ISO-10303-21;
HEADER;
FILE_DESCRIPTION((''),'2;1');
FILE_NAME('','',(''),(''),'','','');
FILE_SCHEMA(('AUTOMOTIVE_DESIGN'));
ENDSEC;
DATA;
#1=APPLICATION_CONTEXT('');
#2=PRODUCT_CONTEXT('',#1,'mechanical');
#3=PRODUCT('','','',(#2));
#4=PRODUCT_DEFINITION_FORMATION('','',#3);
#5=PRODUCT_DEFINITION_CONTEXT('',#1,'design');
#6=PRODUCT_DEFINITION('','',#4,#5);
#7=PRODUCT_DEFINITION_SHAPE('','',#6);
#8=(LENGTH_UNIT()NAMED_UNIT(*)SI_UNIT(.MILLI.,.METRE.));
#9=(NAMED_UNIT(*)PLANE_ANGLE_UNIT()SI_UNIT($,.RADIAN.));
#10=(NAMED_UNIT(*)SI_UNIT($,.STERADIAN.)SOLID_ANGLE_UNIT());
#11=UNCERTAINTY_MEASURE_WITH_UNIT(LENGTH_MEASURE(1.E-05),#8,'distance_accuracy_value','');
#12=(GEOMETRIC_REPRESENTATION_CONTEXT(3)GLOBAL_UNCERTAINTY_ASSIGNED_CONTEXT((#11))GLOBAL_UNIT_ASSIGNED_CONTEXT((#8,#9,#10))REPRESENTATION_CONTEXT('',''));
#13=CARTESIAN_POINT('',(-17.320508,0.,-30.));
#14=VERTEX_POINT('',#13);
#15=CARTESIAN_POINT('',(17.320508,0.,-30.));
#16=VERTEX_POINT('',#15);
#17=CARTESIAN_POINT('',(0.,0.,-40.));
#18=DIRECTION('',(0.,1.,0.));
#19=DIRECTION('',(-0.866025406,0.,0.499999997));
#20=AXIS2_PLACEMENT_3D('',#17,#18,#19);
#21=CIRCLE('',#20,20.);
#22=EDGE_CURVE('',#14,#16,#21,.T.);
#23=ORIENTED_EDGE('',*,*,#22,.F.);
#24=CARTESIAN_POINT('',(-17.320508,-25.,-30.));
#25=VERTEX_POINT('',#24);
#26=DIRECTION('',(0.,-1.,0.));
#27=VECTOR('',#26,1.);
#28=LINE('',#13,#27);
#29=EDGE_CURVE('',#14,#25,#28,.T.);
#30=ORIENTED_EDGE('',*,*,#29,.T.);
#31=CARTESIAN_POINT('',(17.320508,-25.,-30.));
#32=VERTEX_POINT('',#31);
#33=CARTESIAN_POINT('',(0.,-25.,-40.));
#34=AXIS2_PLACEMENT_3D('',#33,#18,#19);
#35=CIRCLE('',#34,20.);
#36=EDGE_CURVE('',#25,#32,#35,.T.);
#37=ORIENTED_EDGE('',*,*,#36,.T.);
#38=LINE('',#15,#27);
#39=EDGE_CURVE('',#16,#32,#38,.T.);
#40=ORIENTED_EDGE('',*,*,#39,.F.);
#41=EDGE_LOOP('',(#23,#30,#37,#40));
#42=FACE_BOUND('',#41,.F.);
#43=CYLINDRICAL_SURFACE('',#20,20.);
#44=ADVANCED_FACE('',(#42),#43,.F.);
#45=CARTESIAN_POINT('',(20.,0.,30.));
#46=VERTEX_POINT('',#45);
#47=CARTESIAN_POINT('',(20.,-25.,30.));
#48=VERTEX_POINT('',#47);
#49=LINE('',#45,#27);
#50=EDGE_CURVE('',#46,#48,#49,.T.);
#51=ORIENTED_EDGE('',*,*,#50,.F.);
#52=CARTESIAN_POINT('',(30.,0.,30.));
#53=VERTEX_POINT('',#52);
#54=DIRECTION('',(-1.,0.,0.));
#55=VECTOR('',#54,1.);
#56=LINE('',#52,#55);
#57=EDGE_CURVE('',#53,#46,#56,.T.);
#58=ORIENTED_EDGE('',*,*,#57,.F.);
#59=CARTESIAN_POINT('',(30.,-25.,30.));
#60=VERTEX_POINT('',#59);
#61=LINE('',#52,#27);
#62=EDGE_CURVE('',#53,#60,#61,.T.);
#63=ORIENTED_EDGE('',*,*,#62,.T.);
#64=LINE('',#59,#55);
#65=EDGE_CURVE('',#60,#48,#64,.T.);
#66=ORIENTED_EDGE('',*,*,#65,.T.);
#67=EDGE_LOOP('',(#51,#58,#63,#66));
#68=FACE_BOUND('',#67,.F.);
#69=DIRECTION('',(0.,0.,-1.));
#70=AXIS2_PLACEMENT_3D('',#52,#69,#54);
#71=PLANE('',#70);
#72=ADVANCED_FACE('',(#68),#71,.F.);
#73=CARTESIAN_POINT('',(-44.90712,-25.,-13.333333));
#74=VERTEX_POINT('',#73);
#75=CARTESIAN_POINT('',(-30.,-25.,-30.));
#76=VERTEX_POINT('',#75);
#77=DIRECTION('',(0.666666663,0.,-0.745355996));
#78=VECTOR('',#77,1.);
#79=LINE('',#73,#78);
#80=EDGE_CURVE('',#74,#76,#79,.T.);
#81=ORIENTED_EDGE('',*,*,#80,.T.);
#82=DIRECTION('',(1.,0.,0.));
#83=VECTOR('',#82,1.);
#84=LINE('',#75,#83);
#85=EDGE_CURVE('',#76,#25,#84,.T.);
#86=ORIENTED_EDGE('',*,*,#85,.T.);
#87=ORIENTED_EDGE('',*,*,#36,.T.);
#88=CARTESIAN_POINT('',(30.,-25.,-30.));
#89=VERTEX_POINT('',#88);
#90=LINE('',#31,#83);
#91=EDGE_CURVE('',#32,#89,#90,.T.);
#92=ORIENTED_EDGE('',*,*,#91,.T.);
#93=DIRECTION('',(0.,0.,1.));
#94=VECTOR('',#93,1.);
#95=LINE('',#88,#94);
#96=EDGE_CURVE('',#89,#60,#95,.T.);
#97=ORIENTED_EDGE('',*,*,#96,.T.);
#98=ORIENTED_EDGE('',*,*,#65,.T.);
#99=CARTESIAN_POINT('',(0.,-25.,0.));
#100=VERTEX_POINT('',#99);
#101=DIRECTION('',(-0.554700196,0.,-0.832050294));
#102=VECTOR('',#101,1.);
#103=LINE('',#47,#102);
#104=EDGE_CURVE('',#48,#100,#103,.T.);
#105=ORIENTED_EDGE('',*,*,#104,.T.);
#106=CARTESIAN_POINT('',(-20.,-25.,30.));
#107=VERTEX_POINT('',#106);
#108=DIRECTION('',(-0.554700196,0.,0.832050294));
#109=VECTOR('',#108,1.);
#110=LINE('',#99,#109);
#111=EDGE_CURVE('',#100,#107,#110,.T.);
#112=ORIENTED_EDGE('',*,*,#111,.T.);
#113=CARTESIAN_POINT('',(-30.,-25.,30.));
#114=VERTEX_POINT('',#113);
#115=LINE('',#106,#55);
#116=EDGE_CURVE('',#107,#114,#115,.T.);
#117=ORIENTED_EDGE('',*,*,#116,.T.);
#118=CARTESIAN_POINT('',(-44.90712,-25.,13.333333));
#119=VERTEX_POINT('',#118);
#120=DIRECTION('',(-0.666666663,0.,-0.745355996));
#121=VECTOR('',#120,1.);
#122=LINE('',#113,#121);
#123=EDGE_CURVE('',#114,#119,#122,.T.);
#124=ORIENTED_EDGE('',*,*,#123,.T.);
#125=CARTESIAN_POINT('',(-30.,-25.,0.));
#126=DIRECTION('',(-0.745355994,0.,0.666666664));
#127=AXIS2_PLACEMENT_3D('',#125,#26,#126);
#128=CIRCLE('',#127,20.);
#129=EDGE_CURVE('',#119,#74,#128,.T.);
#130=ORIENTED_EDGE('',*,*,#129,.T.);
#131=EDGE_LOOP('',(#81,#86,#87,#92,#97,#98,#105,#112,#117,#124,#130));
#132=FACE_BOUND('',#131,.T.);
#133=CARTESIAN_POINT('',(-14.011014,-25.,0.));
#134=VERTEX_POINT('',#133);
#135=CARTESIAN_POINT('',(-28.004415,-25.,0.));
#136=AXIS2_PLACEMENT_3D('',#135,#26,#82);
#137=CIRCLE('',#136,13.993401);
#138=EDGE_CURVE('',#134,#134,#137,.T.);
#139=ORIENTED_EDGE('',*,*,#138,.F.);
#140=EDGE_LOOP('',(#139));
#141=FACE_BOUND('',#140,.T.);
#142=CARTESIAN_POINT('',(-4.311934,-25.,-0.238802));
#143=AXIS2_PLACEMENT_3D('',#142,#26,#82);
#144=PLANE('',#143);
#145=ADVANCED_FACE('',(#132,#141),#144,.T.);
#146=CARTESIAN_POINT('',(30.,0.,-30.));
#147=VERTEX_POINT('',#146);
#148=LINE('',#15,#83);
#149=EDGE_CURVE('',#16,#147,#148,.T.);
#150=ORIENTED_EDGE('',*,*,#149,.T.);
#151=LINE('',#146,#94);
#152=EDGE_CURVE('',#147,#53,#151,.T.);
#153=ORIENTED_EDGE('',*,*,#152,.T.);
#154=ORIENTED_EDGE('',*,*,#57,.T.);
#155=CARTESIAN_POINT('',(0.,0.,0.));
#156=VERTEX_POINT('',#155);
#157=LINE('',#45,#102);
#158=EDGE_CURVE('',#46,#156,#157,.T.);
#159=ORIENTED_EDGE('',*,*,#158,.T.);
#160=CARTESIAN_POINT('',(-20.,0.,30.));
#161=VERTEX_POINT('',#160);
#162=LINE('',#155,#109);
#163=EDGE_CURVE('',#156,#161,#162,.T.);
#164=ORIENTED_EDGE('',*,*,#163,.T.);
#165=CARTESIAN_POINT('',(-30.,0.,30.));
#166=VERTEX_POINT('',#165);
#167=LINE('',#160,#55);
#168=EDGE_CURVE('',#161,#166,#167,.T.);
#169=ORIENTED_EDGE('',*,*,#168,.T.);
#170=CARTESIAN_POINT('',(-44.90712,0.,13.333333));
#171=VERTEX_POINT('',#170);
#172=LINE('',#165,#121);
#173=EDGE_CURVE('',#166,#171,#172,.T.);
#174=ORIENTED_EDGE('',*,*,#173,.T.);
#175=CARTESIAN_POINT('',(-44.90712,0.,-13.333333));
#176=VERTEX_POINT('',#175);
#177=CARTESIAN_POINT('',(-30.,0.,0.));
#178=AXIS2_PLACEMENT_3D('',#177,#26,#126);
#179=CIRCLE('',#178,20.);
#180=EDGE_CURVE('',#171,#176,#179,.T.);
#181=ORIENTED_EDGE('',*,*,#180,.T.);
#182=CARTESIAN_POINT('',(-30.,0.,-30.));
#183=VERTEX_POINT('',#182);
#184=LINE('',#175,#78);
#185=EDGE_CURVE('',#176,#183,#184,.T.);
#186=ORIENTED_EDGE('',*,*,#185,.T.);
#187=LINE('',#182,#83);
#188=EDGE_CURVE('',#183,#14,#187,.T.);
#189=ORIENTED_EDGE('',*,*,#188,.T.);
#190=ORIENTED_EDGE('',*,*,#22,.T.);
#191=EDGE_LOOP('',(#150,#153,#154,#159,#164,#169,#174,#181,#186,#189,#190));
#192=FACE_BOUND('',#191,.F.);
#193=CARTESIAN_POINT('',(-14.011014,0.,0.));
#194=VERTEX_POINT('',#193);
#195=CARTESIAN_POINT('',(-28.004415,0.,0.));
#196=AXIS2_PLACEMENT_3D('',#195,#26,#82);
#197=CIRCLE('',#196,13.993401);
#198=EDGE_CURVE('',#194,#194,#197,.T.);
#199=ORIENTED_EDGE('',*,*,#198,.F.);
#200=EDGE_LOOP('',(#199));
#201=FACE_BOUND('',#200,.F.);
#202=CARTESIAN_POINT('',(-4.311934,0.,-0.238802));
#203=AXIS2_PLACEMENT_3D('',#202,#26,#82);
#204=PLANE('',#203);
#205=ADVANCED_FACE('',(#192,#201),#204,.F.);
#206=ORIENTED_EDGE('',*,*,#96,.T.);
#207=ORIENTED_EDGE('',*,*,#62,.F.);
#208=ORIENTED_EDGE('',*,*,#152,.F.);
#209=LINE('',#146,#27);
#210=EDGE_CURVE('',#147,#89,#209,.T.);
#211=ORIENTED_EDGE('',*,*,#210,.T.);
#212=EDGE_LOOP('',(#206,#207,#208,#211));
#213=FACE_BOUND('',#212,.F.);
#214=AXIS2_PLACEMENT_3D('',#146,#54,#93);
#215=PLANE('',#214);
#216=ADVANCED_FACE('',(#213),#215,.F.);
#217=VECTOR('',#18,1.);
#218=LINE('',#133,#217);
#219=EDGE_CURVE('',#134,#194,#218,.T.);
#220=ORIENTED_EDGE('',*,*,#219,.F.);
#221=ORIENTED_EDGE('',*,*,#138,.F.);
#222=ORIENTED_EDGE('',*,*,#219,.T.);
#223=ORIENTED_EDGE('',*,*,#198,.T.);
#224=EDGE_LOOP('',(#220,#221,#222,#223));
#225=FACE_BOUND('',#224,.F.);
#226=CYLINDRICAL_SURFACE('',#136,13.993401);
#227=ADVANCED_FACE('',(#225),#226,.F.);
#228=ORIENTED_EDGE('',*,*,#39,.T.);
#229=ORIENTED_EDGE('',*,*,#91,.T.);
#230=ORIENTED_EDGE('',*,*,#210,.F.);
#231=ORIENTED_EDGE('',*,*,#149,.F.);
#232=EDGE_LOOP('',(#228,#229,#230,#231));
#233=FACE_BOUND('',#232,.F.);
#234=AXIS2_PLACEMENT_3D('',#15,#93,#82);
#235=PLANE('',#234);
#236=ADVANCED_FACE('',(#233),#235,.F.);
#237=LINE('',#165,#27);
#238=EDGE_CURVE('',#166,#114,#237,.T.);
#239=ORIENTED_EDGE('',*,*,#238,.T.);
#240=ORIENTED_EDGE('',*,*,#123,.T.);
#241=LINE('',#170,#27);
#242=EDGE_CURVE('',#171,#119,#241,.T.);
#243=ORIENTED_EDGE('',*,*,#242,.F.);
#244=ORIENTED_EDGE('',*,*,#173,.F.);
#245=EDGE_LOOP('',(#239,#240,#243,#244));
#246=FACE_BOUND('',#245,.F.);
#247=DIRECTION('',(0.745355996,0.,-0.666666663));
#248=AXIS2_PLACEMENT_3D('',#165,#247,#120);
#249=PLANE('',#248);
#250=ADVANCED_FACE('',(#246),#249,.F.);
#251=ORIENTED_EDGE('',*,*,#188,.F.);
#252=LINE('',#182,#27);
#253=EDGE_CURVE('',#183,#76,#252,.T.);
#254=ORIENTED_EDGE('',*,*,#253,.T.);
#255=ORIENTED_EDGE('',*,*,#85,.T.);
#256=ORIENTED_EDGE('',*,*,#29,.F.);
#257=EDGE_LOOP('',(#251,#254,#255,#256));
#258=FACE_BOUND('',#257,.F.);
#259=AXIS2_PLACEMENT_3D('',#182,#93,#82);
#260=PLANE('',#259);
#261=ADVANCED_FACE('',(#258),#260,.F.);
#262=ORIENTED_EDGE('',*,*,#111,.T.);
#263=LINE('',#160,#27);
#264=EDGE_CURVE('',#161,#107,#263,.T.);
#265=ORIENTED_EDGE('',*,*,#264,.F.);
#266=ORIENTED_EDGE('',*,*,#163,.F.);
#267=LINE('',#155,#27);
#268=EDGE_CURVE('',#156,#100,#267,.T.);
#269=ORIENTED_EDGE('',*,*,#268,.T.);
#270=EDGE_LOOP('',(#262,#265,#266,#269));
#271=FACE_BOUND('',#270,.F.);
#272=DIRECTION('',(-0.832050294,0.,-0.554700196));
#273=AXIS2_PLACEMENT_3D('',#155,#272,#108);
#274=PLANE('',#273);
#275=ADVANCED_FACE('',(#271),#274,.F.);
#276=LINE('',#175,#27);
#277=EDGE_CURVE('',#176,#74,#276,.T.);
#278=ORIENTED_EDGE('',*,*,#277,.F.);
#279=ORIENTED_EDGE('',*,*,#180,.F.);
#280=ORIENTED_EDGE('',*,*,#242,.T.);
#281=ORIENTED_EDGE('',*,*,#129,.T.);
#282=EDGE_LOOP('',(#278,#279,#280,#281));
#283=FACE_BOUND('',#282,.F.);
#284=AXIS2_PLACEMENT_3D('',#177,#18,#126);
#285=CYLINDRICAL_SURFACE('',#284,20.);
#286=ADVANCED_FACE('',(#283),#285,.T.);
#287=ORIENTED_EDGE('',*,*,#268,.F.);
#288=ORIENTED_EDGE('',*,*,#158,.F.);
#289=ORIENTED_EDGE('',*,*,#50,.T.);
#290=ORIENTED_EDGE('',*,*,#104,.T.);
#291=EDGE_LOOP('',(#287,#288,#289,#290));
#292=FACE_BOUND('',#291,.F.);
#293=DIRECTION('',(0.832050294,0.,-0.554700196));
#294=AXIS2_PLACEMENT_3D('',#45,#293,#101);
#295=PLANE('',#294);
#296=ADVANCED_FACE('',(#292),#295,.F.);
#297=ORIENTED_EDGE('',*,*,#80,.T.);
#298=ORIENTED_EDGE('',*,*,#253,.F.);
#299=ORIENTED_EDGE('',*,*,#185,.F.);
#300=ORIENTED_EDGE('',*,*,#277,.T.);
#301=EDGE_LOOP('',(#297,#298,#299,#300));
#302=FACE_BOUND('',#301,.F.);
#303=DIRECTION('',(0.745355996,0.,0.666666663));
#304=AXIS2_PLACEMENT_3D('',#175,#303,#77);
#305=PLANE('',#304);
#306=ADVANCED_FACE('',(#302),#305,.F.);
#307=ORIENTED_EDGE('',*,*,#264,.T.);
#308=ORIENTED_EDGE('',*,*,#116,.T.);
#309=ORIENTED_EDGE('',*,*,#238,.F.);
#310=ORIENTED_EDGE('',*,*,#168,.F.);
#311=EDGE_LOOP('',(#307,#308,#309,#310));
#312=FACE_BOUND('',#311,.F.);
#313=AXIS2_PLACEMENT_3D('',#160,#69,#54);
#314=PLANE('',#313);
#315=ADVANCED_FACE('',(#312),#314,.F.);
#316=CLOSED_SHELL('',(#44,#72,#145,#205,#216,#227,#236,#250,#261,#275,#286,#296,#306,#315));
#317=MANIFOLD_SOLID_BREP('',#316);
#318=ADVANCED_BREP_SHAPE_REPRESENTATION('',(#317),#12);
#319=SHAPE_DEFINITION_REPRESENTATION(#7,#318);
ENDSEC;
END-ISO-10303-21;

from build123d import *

# Parameters (mm, degrees)
F1_DEPTH = 25
F2_R     = 13.993401
F3_DEPTH = 25


with BuildPart() as f1:
    # F0 (on Front) → F1 (new body)
    with BuildSketch(Plane.XZ):
        with BuildLine():
            Line((20, 30), (0, 0))
            Line((0, 0), (-20, 30))
            Line((-20, 30), (-30, 30))
            Line((-30, 30), (-44.90712, 13.333333))
            ThreePointArc((-44.90712, 13.333333), (-50, 0), (-44.90712, -13.333333))
            Line((-44.90712, -13.333333), (-30, -30))
            Line((-30, -30), (-17.320508, -30))
            ThreePointArc((-17.320508, -30), (0, -20), (17.320508, -30))
            Line((17.320508, -30), (30, -30))
            Line((30, -30), (30, 30))
            Line((30, 30), (20, 30))
        make_face()
    extrude(amount=F1_DEPTH)

    # F2 (on face) → F3 (cut, through all)
    with BuildSketch(Plane.XZ.offset(25)):
        with Locations((-28.004415, 0)):
            Circle(F2_R)
    extrude(amount=-F3_DEPTH, mode=Mode.SUBTRACT)


solid = f1.part
